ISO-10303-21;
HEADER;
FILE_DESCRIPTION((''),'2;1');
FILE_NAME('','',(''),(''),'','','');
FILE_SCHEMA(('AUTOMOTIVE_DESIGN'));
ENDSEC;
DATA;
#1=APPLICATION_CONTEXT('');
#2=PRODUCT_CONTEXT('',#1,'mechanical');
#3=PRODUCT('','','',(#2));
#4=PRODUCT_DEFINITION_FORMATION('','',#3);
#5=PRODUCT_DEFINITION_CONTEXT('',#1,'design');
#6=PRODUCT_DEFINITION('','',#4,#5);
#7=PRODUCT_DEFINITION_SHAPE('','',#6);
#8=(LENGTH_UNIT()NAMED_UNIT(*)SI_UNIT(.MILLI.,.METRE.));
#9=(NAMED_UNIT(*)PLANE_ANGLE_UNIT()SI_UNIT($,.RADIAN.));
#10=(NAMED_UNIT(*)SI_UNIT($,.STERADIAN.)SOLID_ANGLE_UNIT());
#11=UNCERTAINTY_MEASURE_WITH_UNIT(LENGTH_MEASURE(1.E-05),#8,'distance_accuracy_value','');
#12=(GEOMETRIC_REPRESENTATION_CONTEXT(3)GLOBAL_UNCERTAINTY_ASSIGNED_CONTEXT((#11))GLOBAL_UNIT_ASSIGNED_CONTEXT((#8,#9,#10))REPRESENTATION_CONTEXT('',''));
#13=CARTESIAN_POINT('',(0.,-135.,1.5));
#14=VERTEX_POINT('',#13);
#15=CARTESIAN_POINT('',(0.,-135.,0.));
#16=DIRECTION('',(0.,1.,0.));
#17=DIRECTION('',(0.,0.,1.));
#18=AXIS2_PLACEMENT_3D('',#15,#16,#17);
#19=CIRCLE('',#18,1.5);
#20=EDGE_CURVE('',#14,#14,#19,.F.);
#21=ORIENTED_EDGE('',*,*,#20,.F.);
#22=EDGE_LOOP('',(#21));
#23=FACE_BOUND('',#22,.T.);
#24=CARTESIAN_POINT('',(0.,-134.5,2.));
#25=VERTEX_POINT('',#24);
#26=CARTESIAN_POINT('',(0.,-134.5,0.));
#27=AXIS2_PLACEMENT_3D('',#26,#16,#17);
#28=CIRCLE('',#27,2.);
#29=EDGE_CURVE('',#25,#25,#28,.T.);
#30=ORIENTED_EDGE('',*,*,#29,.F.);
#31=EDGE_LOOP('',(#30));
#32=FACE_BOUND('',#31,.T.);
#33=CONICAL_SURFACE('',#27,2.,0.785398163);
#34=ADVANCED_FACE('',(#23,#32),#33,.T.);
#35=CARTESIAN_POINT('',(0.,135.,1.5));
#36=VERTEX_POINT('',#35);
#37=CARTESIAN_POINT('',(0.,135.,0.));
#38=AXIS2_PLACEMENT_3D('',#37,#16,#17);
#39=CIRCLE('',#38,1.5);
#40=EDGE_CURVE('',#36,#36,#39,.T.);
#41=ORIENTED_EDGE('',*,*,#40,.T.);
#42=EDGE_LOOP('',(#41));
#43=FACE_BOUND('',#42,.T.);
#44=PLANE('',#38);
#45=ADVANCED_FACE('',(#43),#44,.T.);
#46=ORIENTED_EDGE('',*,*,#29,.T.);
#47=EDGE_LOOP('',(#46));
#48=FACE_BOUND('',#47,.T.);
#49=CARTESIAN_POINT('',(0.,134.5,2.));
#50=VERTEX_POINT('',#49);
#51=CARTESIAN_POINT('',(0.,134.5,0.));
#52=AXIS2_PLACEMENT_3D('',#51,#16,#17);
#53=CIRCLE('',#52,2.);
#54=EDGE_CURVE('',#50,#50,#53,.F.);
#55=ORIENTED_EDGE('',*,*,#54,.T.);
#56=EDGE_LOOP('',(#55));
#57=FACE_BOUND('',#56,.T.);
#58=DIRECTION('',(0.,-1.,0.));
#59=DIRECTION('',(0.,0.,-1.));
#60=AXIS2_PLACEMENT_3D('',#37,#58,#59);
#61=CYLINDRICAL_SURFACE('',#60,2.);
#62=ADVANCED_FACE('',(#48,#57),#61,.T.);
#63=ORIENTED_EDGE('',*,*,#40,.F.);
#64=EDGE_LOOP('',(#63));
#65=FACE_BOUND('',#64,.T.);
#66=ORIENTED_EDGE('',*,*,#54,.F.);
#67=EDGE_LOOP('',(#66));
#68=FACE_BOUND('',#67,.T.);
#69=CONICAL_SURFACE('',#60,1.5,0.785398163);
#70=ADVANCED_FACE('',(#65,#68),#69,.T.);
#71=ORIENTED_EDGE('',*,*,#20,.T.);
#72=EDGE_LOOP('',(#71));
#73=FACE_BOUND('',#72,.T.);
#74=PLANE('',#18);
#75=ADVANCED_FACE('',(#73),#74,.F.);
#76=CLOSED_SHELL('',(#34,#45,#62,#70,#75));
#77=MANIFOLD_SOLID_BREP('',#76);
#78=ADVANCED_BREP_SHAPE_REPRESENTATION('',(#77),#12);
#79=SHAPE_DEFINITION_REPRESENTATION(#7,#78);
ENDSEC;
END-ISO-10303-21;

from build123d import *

# Parameters (mm, degrees)
SKETCH_1_R      = 2
EXTRUDE_1_DEPTH = 135
CHAMFER_1_SIZE  = 0.5


with BuildPart() as part:
    # 草图1 → 凸台-拉伸1 (new, symmetric)
    with BuildSketch(Plane(origin=(0, 0, 0), x_dir=(1, 0, 0), z_dir=(0, 1, 0))):
        with Locations(Location((0, 0, 0), (0, 0, 270))):
            Circle(SKETCH_1_R)
    extrude(amount=EXTRUDE_1_DEPTH, both=True)

    # 倒角1
    chamfer_1_edges = [part.edges().sort_by_distance(p)[0] for p in [
        (0, -135, -2),
        (0, 135, -2),
    ]]
    chamfer(chamfer_1_edges, length=CHAMFER_1_SIZE)


solid = part.part
